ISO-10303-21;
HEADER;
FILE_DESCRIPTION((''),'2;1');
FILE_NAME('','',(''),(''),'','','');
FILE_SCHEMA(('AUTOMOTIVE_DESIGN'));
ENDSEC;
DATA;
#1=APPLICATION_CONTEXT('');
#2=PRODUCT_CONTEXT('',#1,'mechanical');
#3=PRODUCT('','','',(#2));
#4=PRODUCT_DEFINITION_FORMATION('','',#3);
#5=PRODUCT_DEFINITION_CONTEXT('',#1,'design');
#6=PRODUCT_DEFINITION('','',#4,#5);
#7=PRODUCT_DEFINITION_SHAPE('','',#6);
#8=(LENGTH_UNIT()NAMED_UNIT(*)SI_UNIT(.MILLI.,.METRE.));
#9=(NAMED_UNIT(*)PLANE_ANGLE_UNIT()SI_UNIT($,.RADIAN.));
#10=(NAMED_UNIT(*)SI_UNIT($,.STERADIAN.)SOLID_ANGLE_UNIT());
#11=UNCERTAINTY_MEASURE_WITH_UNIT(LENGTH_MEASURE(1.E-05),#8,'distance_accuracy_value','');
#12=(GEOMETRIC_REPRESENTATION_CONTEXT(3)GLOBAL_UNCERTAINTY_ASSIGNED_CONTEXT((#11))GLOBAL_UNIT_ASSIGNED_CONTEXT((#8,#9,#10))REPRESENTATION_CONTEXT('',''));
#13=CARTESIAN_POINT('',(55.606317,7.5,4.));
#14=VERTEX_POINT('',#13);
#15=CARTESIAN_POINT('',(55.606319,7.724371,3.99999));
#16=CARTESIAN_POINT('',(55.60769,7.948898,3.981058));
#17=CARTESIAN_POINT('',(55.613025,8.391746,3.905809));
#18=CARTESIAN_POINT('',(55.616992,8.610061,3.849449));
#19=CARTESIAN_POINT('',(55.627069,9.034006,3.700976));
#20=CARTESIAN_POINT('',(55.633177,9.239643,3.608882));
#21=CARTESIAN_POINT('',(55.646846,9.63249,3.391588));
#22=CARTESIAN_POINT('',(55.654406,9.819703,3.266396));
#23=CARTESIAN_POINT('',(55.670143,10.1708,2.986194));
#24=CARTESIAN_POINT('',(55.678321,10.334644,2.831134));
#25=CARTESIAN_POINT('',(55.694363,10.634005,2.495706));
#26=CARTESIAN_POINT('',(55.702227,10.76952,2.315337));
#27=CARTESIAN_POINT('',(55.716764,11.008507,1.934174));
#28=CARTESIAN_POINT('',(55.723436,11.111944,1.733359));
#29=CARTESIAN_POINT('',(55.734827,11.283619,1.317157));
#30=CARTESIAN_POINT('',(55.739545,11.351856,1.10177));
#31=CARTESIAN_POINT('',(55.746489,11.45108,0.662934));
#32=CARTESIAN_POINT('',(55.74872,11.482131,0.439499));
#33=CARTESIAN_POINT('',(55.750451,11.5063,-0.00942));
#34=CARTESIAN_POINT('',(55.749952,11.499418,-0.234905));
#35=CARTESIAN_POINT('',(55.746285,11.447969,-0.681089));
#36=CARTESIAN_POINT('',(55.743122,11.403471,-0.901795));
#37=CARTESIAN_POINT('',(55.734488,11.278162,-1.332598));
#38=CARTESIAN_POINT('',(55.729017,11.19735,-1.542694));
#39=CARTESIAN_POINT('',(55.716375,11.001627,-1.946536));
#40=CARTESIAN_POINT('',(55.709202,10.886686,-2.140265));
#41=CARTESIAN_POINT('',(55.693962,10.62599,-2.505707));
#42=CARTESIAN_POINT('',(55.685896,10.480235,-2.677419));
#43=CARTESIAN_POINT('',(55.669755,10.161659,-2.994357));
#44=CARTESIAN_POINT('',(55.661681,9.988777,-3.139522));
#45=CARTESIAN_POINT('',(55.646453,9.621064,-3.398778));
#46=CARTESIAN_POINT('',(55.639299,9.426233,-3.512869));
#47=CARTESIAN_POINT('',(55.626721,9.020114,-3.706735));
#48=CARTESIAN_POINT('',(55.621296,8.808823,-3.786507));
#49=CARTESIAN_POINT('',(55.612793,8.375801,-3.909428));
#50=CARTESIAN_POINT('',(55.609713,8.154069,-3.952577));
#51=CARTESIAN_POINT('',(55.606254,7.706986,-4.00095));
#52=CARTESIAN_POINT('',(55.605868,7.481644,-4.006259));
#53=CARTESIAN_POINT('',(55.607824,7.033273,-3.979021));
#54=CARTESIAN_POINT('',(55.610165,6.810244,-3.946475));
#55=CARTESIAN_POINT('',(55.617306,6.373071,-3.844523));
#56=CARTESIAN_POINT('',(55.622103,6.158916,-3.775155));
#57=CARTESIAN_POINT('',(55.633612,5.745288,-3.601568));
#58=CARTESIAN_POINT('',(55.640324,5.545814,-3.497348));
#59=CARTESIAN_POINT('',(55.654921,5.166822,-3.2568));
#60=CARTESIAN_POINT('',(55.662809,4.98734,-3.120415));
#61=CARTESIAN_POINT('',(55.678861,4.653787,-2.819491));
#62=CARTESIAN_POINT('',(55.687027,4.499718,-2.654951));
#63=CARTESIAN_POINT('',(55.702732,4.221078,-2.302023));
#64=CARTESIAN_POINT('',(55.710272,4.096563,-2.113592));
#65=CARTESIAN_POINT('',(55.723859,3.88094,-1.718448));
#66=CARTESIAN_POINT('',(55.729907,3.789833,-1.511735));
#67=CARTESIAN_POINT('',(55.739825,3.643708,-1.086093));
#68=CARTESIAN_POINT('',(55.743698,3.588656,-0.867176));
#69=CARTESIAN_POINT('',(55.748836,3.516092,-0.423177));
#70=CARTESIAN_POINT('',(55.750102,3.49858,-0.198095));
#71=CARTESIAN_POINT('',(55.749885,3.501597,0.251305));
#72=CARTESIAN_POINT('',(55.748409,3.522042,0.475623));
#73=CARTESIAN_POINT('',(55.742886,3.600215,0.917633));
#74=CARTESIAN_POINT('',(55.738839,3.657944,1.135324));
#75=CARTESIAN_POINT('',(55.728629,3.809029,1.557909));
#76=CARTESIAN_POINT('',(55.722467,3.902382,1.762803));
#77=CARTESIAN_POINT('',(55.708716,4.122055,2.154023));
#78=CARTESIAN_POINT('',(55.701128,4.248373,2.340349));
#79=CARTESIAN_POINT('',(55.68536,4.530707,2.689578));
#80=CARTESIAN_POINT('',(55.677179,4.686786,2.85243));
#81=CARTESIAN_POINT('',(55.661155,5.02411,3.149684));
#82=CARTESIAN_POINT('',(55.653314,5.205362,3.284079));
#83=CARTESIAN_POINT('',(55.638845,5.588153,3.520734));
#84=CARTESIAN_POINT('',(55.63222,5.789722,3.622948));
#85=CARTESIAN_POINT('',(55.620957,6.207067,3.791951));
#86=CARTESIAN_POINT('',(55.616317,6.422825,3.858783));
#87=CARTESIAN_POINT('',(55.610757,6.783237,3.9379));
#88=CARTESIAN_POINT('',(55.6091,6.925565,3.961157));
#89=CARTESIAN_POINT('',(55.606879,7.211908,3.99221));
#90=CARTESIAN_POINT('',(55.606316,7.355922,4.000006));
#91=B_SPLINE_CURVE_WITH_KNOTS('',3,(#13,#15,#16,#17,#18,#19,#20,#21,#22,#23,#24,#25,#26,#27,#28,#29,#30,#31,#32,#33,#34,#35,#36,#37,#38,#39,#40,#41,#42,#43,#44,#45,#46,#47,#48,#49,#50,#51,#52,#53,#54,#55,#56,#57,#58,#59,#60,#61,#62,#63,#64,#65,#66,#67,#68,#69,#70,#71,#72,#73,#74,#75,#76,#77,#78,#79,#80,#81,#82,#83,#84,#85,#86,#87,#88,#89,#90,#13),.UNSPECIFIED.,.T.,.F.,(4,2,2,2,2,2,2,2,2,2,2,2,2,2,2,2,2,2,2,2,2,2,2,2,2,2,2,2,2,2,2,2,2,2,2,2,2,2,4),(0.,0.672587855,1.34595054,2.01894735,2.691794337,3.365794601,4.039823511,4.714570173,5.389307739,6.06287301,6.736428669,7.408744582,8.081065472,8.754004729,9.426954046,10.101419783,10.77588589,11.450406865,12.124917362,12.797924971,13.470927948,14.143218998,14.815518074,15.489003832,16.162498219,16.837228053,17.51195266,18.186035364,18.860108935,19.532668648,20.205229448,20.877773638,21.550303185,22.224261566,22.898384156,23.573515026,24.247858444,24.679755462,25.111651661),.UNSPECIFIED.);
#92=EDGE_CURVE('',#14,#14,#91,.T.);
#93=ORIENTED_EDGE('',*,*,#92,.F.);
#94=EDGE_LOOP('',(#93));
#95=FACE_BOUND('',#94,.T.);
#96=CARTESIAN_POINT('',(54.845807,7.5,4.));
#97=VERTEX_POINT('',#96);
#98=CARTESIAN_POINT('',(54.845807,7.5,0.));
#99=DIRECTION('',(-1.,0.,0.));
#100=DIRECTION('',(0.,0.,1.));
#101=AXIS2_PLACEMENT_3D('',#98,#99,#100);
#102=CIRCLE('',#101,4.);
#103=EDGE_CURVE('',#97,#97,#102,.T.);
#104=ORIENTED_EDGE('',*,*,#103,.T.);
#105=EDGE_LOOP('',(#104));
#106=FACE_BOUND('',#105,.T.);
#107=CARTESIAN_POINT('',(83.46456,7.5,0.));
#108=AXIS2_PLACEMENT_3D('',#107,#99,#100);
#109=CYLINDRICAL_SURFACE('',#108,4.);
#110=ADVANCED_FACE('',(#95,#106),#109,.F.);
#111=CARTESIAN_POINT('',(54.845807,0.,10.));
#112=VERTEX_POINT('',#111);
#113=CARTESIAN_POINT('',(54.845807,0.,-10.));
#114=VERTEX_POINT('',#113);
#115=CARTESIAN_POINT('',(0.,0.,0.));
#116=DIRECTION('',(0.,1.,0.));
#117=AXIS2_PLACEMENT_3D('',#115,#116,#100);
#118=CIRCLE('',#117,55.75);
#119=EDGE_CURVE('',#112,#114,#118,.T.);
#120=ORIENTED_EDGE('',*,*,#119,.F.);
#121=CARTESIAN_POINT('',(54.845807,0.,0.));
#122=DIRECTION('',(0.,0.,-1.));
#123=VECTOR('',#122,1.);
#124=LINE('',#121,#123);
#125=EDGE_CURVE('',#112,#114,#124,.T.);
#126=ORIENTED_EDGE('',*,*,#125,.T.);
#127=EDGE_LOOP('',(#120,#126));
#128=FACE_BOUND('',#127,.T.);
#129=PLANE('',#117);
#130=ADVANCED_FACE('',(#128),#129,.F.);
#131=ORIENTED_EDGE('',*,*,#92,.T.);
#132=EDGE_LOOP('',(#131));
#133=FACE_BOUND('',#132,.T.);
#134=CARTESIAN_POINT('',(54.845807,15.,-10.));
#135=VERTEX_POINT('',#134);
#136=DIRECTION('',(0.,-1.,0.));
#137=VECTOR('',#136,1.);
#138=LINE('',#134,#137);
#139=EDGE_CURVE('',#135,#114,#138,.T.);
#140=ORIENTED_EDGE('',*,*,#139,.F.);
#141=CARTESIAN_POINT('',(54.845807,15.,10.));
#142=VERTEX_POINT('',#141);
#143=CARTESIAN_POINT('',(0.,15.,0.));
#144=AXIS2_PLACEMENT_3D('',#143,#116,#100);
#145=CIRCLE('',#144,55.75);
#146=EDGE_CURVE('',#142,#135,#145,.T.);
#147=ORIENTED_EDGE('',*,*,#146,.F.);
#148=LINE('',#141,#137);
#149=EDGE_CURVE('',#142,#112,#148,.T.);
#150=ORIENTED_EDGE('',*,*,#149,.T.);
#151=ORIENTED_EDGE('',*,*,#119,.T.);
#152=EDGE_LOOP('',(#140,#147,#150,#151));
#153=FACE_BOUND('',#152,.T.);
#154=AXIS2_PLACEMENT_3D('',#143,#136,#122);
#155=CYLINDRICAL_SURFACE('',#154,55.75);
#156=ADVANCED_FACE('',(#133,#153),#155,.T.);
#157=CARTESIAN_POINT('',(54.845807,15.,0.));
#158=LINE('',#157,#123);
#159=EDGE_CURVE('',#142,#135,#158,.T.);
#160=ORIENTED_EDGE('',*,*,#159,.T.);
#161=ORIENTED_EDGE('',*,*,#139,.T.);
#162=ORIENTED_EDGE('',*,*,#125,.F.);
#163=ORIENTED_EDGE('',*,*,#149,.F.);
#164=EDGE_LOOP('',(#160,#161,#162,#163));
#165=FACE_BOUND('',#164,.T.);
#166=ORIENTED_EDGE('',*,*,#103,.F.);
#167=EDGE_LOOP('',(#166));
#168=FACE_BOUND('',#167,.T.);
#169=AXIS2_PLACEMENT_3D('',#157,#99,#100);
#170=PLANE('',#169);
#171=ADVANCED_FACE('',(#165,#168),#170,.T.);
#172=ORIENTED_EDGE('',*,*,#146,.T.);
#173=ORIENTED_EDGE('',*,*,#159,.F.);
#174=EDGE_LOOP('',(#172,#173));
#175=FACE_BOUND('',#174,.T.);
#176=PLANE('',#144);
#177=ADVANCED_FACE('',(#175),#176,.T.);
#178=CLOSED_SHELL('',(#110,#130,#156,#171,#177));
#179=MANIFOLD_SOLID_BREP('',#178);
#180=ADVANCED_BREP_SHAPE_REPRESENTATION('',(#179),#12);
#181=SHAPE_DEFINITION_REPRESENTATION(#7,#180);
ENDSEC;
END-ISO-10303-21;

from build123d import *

# Parameters (mm, degrees)
BOSS_EXTRUDE1_DEPTH = 15
CUT_EXTRUDE1_DEPTH  = 40


with BuildPart() as part:
    # Sketch2 → Boss-Extrude1 (new body)
    with BuildSketch(Plane(origin=(0, 0, 0), x_dir=(1, 0, 0), z_dir=(0, 1, 0))):
        with BuildLine():
            Line((54.845806585, -8.617162068), (54.845806585, -10))
            ThreePointArc((54.845806585, -10), (55.523491502, -5.020397537), (55.75, 0))
            Line((55.75, 0), (55.518627344, 0))
            ThreePointArc((55.518627344, 0), (55.350166573, -4.321694398), (54.845806585, -8.617162068))
        make_face()
        with BuildLine():
            ThreePointArc((55.75, 0), (55.523491502, 5.020397537), (54.845806585, 10))
            Line((54.845806585, 10), (54.845806585, 8.617162068))
            ThreePointArc((54.845806585, 8.617162068), (55.350166573, 4.321694398), (55.518627344, 0))
            Line((55.518627344, 0), (55.75, 0))
        make_face()
        with BuildLine():
            Line((54.845806585, 8.617162068), (54.845806585, 0))
            Line((54.845806585, 0), (55.518627344, 0))
            ThreePointArc((55.518627344, 0), (55.350166573, 4.321694398), (54.845806585, 8.617162068))
        make_face()
        with BuildLine():
            Line((55.518627344, 0), (54.845806585, 0))
            Line((54.845806585, 0), (54.845806585, -8.617162068))
            ThreePointArc((54.845806585, -8.617162068), (55.350166573, -4.321694398), (55.518627344, 0))
        make_face()
    extrude(amount=BOSS_EXTRUDE1_DEPTH)

    # Sketch3 → Cut-Extrude1 (cut)
    with BuildSketch(Plane.ZY.offset(-43.464559905)):
        with BuildLine():
            ThreePointArc((0, 11.5), (-4, 7.5), (0, 3.5))
            Line((0, 3.5), (0, 7.5))
            Line((0, 7.5), (0, 11.5))
        make_face()
        with BuildLine():
            Line((0, 7.5), (0, 3.5))
            ThreePointArc((0, 3.5), (2.828427125, 4.671572875), (4, 7.5))
            Line((4, 7.5), (0, 7.5))
        make_face()
        with BuildLine():
            Line((0, 11.5), (0, 7.5))
            Line((0, 7.5), (4, 7.5))
            ThreePointArc((4, 7.5), (2.828427125, 10.328427125), (0, 11.5))
        make_face()
    extrude(amount=-CUT_EXTRUDE1_DEPTH, mode=Mode.SUBTRACT)


solid = part.part
